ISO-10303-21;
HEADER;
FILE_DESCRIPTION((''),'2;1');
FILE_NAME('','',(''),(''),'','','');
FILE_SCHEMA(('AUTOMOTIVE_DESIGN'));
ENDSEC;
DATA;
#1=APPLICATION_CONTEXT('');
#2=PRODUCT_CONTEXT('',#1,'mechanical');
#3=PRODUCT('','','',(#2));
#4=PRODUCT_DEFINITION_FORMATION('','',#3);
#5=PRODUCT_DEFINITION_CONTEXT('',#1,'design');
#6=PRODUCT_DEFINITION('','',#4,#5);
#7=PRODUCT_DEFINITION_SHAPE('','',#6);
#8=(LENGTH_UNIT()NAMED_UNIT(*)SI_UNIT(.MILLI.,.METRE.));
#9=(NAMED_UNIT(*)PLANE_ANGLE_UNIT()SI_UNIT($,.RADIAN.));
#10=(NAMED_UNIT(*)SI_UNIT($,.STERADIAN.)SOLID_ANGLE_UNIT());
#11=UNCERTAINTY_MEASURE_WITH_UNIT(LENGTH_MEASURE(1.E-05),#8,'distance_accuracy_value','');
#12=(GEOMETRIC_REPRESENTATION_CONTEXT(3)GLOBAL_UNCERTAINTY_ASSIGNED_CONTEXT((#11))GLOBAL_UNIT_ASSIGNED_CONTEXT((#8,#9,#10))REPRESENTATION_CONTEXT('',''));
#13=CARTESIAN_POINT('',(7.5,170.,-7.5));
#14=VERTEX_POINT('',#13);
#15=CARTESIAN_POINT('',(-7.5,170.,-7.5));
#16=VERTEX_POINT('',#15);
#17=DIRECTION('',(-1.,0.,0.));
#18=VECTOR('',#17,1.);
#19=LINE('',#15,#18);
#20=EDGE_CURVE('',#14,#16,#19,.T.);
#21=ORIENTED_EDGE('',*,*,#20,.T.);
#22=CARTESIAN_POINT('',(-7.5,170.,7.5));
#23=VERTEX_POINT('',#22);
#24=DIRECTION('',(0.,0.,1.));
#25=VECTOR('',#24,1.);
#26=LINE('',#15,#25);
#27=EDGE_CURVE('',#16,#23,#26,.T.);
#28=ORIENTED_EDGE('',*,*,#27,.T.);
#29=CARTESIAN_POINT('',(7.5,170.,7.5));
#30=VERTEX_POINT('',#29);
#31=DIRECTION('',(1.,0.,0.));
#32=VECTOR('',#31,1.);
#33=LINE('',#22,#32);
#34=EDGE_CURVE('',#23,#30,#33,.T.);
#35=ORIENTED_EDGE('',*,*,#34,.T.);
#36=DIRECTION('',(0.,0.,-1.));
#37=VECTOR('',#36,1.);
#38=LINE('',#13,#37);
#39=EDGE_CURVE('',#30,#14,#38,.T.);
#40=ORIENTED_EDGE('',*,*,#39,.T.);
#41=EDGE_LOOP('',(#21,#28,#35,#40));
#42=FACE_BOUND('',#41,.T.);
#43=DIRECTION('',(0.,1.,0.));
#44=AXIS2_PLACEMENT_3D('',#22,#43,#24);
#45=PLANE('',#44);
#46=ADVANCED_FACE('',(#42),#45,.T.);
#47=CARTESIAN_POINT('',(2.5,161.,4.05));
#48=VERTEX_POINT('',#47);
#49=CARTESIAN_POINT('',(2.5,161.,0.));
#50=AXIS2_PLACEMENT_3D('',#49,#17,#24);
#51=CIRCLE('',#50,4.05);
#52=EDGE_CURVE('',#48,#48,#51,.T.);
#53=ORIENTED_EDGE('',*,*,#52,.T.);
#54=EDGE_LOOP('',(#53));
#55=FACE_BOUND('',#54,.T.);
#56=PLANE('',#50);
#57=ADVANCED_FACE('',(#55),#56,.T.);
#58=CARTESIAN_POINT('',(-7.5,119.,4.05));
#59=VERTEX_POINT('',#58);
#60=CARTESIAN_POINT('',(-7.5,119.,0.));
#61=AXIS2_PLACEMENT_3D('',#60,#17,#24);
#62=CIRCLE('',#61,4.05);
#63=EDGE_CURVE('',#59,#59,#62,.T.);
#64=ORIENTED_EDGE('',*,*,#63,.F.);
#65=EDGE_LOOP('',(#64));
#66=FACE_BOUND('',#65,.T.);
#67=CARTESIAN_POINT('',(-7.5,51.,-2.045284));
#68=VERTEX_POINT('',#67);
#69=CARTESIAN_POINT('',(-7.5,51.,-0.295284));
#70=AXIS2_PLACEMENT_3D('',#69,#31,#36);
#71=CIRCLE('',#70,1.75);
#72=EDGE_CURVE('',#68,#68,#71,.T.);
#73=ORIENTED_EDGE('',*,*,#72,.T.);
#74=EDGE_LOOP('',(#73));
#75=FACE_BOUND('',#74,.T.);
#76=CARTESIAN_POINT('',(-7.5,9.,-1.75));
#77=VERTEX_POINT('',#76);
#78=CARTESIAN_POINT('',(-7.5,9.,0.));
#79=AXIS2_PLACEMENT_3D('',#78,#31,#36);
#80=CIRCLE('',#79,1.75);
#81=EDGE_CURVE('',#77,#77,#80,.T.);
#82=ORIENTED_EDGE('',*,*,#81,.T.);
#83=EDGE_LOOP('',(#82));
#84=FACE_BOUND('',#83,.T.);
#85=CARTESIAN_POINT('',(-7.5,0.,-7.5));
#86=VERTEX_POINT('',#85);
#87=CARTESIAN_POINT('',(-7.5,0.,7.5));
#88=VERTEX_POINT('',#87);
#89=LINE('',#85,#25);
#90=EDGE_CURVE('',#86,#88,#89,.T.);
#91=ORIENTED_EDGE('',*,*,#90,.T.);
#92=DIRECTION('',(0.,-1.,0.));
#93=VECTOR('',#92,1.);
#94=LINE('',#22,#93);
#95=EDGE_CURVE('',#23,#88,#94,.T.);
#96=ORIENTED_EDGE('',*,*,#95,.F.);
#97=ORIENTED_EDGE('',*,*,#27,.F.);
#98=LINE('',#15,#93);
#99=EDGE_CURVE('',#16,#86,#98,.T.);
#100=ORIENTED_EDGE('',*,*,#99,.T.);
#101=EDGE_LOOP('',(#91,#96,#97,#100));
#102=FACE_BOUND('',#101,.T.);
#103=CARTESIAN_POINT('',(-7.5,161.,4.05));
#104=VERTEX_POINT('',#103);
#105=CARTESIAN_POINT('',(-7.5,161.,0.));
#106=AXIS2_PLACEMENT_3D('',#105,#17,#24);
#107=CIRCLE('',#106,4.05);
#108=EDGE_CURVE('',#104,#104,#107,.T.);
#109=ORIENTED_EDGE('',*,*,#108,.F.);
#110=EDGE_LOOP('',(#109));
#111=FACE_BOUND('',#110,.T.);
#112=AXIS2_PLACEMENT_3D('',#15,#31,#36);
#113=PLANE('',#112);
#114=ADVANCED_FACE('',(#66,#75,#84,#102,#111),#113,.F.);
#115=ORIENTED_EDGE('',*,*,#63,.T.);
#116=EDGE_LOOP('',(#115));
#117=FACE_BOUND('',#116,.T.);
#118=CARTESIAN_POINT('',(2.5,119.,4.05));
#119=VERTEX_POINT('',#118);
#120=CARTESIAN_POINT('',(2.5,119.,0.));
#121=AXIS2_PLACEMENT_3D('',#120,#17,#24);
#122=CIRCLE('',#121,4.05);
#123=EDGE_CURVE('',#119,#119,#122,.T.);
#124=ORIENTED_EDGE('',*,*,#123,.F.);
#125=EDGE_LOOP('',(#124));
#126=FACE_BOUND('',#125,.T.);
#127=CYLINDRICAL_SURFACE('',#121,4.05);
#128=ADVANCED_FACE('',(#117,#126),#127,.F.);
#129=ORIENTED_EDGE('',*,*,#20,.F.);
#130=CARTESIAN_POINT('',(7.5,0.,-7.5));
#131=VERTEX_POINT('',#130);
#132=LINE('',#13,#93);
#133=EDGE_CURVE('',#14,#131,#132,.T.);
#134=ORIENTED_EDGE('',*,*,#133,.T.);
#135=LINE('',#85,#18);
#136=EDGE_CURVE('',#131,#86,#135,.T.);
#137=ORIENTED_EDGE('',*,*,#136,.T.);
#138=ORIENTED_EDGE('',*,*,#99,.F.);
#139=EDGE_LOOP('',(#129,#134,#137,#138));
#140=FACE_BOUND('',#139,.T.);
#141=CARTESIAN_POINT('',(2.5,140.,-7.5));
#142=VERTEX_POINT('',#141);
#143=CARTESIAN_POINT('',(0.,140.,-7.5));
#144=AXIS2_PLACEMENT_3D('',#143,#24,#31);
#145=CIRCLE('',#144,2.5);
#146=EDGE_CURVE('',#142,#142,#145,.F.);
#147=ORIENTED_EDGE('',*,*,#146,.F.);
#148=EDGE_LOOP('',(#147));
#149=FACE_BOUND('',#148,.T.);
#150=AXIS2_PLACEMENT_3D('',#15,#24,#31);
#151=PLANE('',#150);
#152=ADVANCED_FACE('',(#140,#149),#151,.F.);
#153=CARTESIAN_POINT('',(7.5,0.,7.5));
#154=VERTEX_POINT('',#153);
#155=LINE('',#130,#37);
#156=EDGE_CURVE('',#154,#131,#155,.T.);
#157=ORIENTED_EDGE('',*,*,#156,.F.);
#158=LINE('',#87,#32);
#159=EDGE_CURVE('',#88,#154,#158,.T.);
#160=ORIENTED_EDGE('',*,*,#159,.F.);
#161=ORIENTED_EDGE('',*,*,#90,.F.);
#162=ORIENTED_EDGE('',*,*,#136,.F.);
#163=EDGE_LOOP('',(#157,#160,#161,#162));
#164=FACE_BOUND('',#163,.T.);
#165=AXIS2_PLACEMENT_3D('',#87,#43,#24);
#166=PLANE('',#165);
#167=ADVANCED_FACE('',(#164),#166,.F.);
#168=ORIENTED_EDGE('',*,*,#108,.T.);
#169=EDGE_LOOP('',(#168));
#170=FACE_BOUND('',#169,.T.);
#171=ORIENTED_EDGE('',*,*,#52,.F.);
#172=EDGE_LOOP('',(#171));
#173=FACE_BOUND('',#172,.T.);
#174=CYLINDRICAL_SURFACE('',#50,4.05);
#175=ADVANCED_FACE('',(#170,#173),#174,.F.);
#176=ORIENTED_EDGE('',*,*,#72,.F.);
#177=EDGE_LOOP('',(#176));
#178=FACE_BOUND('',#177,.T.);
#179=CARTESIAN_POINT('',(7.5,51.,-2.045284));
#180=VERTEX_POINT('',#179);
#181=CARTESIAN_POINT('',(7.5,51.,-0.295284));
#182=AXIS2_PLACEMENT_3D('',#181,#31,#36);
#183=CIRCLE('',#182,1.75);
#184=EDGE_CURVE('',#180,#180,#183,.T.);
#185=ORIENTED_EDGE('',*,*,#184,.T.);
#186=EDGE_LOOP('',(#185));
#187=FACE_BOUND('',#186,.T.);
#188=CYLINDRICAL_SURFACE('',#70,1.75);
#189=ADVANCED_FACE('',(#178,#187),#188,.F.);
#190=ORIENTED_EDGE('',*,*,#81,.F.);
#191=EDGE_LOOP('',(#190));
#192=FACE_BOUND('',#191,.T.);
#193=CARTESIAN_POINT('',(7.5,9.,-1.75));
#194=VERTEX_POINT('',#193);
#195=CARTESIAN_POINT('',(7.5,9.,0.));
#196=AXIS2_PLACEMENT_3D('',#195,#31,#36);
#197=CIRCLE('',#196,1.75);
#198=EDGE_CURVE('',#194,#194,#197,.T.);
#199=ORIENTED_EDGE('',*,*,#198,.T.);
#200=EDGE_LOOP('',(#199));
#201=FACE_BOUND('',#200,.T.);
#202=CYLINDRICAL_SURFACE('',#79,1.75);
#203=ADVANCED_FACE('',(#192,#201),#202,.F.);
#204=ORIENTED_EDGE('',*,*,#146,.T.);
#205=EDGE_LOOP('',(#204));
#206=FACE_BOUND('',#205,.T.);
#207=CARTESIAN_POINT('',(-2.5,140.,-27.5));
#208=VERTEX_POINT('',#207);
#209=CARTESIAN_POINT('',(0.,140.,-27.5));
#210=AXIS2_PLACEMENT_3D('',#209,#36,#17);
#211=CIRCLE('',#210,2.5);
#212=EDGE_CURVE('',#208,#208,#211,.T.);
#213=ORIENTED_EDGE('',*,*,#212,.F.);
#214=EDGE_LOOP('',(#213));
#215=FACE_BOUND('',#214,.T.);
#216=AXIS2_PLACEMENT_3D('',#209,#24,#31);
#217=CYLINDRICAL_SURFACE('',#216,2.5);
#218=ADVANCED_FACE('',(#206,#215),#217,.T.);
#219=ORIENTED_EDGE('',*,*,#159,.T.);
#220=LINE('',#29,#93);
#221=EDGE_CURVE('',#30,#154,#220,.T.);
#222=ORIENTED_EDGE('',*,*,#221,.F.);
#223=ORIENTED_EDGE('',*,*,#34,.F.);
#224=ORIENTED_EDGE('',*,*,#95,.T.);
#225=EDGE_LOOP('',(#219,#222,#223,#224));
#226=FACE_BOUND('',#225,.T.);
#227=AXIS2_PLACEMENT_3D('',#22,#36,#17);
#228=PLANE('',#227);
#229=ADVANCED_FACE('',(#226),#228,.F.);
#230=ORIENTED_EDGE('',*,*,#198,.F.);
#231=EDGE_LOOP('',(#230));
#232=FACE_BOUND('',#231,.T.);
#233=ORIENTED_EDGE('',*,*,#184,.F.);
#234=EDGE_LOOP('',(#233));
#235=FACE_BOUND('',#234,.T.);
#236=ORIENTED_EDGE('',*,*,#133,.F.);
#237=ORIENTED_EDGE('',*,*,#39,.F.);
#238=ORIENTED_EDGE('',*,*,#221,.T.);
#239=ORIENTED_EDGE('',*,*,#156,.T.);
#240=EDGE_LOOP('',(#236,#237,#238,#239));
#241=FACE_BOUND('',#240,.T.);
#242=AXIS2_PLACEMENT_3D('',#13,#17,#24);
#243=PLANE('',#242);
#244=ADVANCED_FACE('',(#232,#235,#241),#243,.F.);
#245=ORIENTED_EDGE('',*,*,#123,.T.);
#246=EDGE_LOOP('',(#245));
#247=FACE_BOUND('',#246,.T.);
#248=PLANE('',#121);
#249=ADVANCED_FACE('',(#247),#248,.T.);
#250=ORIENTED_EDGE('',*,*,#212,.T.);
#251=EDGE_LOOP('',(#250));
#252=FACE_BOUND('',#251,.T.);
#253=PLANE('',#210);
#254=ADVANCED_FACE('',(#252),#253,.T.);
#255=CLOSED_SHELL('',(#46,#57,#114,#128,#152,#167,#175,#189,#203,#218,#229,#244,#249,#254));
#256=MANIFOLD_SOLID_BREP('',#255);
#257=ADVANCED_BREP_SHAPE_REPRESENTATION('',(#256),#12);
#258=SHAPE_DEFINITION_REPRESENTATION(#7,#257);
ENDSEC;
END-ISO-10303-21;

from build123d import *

# Parameters (mm, degrees)
SKETCH1_W           = 15
SKETCH1_H           = 15
BOSS_EXTRUDE1_DEPTH = 170
SKETCH2_R           = 1.75
CUT_EXTRUDE1_DEPTH  = 16
SKETCH3_R           = 4.05
CUT_EXTRUDE2_DEPTH  = 10
SKETCH5_R           = 2.5
BOSS_EXTRUDE3_DEPTH = 20


with BuildPart() as part:
    # Sketch1 → Boss-Extrude1 (new body)
    with BuildSketch(Plane(origin=(0, 0, 0), x_dir=(1, 0, 0), z_dir=(0, 1, 0))):
        Rectangle(SKETCH1_W, SKETCH1_H)
    extrude(amount=BOSS_EXTRUDE1_DEPTH)

    # Sketch2 → Cut-Extrude1 (cut, through all)
    with BuildSketch(Plane(origin=(7.5, 0, 0), x_dir=(0, 0, -1), z_dir=(1, 0, 0))):
        with Locations((0, 9)):
            Circle(SKETCH2_R)
        with Locations((0.295283966, 51)):
            Circle(SKETCH2_R)
    extrude(amount=-CUT_EXTRUDE1_DEPTH, mode=Mode.SUBTRACT)

    # Sketch3 → Cut-Extrude2 (cut)
    with BuildSketch(Plane.ZY.offset(7.5)):
        with Locations((0, 161)):
            Circle(SKETCH3_R)
        with Locations((0, 119)):
            Circle(SKETCH3_R)
    extrude(amount=-CUT_EXTRUDE2_DEPTH, mode=Mode.SUBTRACT)

    # Sketch5 → Boss-Extrude3 (add)
    with BuildSketch(Plane(origin=(0, 0, -7.5), x_dir=(-1, 0, 0), z_dir=(0, 0, -1))):
        with Locations((0, 140)):
            Circle(SKETCH5_R)
    extrude(amount=BOSS_EXTRUDE3_DEPTH)


solid = part.part
